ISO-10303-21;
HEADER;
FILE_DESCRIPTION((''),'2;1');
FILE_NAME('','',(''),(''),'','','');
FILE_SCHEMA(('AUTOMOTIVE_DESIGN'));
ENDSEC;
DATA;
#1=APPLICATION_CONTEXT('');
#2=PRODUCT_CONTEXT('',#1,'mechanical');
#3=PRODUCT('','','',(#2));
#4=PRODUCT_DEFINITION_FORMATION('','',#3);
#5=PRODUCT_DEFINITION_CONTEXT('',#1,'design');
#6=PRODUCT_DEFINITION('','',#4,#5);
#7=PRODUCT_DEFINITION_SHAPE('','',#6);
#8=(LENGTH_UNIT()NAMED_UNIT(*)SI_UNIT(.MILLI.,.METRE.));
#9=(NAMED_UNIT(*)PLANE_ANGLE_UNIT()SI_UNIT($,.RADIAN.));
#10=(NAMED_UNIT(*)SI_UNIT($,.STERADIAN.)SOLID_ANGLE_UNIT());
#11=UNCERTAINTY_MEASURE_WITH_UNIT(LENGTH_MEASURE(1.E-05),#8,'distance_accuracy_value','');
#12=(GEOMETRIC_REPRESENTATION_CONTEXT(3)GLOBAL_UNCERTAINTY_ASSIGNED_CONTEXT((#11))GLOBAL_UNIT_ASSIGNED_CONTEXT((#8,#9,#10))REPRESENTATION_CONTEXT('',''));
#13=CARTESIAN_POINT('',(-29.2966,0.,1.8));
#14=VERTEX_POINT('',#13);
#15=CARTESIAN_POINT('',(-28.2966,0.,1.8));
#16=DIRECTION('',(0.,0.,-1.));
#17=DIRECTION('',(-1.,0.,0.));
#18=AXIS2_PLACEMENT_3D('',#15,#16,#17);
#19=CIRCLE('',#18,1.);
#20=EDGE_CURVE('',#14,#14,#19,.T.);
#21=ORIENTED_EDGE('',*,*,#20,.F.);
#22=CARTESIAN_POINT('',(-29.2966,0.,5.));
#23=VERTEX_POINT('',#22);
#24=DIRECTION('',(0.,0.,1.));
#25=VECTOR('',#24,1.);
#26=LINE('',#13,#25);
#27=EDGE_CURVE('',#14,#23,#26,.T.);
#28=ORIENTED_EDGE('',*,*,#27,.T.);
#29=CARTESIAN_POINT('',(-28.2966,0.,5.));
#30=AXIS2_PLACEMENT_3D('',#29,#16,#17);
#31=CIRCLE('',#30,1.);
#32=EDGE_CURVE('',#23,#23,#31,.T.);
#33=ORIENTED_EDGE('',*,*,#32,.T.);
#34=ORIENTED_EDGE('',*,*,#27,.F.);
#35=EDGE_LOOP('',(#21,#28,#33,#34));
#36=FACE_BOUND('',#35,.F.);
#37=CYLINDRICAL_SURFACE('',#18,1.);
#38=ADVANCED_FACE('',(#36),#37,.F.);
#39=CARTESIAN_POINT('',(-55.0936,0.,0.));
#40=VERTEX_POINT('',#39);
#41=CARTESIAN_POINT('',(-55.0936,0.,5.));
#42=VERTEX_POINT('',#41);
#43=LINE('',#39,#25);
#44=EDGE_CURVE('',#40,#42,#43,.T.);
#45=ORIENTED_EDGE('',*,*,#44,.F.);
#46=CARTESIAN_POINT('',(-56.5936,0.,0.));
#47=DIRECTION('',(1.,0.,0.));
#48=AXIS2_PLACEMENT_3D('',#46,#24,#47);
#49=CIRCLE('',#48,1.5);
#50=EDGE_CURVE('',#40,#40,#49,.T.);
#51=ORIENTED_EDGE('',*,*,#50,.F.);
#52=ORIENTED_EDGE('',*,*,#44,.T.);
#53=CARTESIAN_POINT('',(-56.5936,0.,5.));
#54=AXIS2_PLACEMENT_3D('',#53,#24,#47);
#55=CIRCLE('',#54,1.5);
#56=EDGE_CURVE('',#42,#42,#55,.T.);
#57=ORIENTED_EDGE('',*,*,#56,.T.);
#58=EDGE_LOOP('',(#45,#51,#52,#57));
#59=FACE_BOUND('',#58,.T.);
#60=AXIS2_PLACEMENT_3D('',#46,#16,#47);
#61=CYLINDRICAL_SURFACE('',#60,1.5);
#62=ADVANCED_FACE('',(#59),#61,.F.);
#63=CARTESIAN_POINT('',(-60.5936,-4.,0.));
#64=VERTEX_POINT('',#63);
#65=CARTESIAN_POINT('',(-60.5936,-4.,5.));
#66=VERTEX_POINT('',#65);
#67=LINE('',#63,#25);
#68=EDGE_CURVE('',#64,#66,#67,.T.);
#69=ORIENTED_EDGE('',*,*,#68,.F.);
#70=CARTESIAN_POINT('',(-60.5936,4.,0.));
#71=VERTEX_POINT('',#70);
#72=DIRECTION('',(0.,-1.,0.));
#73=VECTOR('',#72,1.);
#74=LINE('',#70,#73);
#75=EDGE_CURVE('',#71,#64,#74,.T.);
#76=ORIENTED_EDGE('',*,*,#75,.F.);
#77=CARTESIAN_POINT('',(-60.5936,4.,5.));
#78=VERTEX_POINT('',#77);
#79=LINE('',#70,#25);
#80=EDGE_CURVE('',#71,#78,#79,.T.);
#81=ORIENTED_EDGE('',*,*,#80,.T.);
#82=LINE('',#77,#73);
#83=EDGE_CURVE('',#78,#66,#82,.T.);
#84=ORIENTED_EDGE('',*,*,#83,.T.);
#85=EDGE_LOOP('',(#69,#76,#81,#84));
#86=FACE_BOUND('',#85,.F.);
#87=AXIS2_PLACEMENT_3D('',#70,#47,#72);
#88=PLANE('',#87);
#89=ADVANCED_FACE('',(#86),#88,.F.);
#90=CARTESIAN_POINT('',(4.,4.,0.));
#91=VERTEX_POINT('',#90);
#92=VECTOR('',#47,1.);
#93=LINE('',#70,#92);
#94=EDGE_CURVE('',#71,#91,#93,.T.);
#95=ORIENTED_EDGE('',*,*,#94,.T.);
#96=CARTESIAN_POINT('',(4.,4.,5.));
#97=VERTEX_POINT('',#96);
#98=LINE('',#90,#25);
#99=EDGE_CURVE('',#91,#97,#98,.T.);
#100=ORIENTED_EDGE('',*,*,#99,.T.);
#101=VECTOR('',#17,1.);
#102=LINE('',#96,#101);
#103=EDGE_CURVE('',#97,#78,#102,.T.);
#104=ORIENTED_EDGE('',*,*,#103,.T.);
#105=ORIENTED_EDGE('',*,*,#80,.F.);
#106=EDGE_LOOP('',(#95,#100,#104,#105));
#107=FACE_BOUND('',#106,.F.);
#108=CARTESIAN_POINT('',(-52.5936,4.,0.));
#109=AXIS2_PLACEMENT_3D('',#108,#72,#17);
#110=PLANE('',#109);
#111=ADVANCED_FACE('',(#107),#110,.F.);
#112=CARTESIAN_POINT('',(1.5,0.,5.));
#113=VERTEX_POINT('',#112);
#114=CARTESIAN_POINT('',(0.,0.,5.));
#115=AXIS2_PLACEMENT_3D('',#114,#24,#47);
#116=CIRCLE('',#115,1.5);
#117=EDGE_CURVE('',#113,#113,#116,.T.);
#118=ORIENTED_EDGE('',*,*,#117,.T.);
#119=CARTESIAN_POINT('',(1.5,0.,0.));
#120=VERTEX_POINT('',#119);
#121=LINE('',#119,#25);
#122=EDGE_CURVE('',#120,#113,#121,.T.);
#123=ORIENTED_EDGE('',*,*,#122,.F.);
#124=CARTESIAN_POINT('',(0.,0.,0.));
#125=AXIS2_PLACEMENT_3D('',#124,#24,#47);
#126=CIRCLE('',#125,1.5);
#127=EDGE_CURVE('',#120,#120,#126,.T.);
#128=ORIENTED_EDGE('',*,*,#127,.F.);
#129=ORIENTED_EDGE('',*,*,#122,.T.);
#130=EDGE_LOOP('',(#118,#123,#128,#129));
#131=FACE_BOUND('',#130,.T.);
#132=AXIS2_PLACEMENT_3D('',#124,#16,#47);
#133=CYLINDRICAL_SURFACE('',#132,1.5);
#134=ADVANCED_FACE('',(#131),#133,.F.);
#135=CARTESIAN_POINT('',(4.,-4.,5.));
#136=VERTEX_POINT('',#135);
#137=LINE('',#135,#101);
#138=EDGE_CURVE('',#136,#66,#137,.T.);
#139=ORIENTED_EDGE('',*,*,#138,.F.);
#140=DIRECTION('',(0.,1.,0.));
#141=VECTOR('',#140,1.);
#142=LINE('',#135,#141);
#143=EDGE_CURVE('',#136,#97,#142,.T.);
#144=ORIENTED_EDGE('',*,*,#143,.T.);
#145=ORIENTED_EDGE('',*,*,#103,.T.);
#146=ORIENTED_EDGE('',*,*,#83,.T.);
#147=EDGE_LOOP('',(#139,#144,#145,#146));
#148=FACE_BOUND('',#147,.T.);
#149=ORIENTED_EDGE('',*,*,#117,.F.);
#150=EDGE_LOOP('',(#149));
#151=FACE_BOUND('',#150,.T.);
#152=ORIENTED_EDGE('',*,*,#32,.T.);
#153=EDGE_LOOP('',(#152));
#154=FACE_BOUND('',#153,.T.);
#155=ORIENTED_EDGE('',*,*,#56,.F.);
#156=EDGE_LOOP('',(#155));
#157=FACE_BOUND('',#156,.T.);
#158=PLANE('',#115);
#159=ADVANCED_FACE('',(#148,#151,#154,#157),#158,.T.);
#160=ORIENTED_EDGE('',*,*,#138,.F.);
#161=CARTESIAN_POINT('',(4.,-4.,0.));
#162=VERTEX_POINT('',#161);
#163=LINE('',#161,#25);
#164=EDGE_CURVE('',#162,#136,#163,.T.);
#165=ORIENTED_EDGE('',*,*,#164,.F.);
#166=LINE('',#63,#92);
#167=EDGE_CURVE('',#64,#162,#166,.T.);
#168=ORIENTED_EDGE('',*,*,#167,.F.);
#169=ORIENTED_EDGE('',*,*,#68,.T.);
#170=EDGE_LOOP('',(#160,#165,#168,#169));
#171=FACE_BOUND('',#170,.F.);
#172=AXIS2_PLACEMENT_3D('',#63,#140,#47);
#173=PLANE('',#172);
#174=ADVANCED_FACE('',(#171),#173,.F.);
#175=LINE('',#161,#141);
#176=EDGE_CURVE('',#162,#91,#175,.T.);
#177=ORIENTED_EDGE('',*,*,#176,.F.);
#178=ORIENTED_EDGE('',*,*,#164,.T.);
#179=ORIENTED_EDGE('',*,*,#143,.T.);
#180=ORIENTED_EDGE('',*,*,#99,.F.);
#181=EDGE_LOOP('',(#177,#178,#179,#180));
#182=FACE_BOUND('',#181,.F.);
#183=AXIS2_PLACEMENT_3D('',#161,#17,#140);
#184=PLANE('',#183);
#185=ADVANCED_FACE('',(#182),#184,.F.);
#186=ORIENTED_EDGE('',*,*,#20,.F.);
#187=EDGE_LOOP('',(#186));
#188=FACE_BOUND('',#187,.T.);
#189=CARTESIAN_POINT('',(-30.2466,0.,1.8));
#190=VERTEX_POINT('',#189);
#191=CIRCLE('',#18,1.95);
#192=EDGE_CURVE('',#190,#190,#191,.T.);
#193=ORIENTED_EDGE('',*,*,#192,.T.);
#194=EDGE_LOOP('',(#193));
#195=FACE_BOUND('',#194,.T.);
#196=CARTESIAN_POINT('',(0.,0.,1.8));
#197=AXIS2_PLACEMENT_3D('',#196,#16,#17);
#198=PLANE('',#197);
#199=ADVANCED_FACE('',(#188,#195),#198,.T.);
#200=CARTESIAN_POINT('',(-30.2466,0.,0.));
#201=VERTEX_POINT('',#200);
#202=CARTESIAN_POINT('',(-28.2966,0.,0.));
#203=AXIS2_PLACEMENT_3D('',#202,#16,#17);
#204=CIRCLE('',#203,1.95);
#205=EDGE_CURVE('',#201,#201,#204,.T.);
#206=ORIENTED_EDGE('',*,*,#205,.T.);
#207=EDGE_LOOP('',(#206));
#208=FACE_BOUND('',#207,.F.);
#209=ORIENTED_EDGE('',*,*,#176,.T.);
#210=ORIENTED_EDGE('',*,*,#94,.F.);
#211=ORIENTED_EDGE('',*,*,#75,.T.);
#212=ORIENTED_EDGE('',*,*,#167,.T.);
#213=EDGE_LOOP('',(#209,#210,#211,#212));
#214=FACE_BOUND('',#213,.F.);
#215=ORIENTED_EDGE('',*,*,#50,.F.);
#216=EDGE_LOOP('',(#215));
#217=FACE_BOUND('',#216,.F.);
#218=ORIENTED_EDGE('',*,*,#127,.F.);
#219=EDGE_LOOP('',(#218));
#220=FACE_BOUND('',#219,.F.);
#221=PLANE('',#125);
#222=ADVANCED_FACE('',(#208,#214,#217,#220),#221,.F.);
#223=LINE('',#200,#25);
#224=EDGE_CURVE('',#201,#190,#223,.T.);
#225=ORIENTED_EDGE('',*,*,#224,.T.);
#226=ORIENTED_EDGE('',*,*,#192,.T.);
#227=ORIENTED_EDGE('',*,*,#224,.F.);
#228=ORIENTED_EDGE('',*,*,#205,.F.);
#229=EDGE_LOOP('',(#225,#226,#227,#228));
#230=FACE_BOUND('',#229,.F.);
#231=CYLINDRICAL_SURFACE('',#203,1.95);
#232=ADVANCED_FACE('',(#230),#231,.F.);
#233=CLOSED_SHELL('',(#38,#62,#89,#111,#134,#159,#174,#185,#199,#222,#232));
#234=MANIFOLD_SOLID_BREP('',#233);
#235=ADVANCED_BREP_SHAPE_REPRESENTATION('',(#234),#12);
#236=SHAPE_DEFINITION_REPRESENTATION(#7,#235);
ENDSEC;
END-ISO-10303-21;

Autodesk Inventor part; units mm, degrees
ref_plane "YZ Plane" through (0, 0, 0) normal (1, 0, 0) x (0, 1, 0)
ref_plane "XZ Plane" through (0, 0, 0) normal (0, 1, 0) x (-1, 0, 0)
ref_plane "XY Plane" through (0, 0, 0) normal (0, 0, 1) x (1, 0, 0)
sketch "Sketch1" plane through (0, 0, 0) normal (0, 0, 1) x (1, 0, 0)
  circle A0 centre (-56.5936, 0) radius 1.5 projected
  line L0 (-52.5936, 4) -> (-60.5936, 4) projected
  line L1 (-60.5936, 4) -> (-60.5936, -4) projected
  line L2 (-60.5936, -4) -> (-52.5936, -4) projected
  line L3 (-52.5936, -4) -> (-52.5936, 4) projected
  circle A1 centre (0, 0) radius 1.5 projected
  line L4 (-4, 4) -> (-4, -4) projected
  line L5 (-4, -4) -> (4, -4) projected
  line L6 (4, -4) -> (4, 4) projected
  line L7 (4, 4) -> (-4, 4) projected
  line L8 (-60.5936, 4) -> (4, 4)
  line L9 (4, 4) -> (4, -4)
  line L10 (4, -4) -> (-60.5936, -4)
  line L11 (-60.5936, -4) -> (-60.5936, 4)
  point P0 (0, 0)
extrude "Extrusion1" add sketch "Sketch1" along normal blind 5
sketch "Sketch2" plane through (0, 0, 0) normal (0, 0, -1) x (-1, 0, 0)
  point P0 (0, 0)
sketch "Sketch3" plane through (0, 0, 0) normal (0, 0, -1) x (-1, 0, 0)
  line L0 (60.5936, 4) -> (60.5936, -4) projected
  line L1 (-4, 4) -> (60.5936, 4) projected
  line L2 (-4, -4) -> (-4, 4) projected
  line L3 (60.5936, -4) -> (-4, -4) projected
  circle A0 centre (0, 0) radius 1.5 projected
  circle A1 centre (56.5936, 0) radius 1.5 projected
  circle A2 centre (28.2966, 0) radius 1.95
  point P0 (0, 0)
  point P1 (60.5936, 0)
  dimension "d2" = 3.9
  dimension "d4" = 32.297
extrude "Extrusion2" cut sketch "Sketch3" against normal blind 1.8 contours A2
sketch "Sketch4" plane through (-28.2966, 0, 1.8) normal (0, 0, -1) x (-1, 0, 0)
  circle A0 centre (0, 0) radius 1
  point P0 (-28.2966, 0)
  dimension "d7" = 2
extrude "Extrusion3" cut sketch "Sketch4" against normal through all
properties part number "vertical_axis_hal_holder"
